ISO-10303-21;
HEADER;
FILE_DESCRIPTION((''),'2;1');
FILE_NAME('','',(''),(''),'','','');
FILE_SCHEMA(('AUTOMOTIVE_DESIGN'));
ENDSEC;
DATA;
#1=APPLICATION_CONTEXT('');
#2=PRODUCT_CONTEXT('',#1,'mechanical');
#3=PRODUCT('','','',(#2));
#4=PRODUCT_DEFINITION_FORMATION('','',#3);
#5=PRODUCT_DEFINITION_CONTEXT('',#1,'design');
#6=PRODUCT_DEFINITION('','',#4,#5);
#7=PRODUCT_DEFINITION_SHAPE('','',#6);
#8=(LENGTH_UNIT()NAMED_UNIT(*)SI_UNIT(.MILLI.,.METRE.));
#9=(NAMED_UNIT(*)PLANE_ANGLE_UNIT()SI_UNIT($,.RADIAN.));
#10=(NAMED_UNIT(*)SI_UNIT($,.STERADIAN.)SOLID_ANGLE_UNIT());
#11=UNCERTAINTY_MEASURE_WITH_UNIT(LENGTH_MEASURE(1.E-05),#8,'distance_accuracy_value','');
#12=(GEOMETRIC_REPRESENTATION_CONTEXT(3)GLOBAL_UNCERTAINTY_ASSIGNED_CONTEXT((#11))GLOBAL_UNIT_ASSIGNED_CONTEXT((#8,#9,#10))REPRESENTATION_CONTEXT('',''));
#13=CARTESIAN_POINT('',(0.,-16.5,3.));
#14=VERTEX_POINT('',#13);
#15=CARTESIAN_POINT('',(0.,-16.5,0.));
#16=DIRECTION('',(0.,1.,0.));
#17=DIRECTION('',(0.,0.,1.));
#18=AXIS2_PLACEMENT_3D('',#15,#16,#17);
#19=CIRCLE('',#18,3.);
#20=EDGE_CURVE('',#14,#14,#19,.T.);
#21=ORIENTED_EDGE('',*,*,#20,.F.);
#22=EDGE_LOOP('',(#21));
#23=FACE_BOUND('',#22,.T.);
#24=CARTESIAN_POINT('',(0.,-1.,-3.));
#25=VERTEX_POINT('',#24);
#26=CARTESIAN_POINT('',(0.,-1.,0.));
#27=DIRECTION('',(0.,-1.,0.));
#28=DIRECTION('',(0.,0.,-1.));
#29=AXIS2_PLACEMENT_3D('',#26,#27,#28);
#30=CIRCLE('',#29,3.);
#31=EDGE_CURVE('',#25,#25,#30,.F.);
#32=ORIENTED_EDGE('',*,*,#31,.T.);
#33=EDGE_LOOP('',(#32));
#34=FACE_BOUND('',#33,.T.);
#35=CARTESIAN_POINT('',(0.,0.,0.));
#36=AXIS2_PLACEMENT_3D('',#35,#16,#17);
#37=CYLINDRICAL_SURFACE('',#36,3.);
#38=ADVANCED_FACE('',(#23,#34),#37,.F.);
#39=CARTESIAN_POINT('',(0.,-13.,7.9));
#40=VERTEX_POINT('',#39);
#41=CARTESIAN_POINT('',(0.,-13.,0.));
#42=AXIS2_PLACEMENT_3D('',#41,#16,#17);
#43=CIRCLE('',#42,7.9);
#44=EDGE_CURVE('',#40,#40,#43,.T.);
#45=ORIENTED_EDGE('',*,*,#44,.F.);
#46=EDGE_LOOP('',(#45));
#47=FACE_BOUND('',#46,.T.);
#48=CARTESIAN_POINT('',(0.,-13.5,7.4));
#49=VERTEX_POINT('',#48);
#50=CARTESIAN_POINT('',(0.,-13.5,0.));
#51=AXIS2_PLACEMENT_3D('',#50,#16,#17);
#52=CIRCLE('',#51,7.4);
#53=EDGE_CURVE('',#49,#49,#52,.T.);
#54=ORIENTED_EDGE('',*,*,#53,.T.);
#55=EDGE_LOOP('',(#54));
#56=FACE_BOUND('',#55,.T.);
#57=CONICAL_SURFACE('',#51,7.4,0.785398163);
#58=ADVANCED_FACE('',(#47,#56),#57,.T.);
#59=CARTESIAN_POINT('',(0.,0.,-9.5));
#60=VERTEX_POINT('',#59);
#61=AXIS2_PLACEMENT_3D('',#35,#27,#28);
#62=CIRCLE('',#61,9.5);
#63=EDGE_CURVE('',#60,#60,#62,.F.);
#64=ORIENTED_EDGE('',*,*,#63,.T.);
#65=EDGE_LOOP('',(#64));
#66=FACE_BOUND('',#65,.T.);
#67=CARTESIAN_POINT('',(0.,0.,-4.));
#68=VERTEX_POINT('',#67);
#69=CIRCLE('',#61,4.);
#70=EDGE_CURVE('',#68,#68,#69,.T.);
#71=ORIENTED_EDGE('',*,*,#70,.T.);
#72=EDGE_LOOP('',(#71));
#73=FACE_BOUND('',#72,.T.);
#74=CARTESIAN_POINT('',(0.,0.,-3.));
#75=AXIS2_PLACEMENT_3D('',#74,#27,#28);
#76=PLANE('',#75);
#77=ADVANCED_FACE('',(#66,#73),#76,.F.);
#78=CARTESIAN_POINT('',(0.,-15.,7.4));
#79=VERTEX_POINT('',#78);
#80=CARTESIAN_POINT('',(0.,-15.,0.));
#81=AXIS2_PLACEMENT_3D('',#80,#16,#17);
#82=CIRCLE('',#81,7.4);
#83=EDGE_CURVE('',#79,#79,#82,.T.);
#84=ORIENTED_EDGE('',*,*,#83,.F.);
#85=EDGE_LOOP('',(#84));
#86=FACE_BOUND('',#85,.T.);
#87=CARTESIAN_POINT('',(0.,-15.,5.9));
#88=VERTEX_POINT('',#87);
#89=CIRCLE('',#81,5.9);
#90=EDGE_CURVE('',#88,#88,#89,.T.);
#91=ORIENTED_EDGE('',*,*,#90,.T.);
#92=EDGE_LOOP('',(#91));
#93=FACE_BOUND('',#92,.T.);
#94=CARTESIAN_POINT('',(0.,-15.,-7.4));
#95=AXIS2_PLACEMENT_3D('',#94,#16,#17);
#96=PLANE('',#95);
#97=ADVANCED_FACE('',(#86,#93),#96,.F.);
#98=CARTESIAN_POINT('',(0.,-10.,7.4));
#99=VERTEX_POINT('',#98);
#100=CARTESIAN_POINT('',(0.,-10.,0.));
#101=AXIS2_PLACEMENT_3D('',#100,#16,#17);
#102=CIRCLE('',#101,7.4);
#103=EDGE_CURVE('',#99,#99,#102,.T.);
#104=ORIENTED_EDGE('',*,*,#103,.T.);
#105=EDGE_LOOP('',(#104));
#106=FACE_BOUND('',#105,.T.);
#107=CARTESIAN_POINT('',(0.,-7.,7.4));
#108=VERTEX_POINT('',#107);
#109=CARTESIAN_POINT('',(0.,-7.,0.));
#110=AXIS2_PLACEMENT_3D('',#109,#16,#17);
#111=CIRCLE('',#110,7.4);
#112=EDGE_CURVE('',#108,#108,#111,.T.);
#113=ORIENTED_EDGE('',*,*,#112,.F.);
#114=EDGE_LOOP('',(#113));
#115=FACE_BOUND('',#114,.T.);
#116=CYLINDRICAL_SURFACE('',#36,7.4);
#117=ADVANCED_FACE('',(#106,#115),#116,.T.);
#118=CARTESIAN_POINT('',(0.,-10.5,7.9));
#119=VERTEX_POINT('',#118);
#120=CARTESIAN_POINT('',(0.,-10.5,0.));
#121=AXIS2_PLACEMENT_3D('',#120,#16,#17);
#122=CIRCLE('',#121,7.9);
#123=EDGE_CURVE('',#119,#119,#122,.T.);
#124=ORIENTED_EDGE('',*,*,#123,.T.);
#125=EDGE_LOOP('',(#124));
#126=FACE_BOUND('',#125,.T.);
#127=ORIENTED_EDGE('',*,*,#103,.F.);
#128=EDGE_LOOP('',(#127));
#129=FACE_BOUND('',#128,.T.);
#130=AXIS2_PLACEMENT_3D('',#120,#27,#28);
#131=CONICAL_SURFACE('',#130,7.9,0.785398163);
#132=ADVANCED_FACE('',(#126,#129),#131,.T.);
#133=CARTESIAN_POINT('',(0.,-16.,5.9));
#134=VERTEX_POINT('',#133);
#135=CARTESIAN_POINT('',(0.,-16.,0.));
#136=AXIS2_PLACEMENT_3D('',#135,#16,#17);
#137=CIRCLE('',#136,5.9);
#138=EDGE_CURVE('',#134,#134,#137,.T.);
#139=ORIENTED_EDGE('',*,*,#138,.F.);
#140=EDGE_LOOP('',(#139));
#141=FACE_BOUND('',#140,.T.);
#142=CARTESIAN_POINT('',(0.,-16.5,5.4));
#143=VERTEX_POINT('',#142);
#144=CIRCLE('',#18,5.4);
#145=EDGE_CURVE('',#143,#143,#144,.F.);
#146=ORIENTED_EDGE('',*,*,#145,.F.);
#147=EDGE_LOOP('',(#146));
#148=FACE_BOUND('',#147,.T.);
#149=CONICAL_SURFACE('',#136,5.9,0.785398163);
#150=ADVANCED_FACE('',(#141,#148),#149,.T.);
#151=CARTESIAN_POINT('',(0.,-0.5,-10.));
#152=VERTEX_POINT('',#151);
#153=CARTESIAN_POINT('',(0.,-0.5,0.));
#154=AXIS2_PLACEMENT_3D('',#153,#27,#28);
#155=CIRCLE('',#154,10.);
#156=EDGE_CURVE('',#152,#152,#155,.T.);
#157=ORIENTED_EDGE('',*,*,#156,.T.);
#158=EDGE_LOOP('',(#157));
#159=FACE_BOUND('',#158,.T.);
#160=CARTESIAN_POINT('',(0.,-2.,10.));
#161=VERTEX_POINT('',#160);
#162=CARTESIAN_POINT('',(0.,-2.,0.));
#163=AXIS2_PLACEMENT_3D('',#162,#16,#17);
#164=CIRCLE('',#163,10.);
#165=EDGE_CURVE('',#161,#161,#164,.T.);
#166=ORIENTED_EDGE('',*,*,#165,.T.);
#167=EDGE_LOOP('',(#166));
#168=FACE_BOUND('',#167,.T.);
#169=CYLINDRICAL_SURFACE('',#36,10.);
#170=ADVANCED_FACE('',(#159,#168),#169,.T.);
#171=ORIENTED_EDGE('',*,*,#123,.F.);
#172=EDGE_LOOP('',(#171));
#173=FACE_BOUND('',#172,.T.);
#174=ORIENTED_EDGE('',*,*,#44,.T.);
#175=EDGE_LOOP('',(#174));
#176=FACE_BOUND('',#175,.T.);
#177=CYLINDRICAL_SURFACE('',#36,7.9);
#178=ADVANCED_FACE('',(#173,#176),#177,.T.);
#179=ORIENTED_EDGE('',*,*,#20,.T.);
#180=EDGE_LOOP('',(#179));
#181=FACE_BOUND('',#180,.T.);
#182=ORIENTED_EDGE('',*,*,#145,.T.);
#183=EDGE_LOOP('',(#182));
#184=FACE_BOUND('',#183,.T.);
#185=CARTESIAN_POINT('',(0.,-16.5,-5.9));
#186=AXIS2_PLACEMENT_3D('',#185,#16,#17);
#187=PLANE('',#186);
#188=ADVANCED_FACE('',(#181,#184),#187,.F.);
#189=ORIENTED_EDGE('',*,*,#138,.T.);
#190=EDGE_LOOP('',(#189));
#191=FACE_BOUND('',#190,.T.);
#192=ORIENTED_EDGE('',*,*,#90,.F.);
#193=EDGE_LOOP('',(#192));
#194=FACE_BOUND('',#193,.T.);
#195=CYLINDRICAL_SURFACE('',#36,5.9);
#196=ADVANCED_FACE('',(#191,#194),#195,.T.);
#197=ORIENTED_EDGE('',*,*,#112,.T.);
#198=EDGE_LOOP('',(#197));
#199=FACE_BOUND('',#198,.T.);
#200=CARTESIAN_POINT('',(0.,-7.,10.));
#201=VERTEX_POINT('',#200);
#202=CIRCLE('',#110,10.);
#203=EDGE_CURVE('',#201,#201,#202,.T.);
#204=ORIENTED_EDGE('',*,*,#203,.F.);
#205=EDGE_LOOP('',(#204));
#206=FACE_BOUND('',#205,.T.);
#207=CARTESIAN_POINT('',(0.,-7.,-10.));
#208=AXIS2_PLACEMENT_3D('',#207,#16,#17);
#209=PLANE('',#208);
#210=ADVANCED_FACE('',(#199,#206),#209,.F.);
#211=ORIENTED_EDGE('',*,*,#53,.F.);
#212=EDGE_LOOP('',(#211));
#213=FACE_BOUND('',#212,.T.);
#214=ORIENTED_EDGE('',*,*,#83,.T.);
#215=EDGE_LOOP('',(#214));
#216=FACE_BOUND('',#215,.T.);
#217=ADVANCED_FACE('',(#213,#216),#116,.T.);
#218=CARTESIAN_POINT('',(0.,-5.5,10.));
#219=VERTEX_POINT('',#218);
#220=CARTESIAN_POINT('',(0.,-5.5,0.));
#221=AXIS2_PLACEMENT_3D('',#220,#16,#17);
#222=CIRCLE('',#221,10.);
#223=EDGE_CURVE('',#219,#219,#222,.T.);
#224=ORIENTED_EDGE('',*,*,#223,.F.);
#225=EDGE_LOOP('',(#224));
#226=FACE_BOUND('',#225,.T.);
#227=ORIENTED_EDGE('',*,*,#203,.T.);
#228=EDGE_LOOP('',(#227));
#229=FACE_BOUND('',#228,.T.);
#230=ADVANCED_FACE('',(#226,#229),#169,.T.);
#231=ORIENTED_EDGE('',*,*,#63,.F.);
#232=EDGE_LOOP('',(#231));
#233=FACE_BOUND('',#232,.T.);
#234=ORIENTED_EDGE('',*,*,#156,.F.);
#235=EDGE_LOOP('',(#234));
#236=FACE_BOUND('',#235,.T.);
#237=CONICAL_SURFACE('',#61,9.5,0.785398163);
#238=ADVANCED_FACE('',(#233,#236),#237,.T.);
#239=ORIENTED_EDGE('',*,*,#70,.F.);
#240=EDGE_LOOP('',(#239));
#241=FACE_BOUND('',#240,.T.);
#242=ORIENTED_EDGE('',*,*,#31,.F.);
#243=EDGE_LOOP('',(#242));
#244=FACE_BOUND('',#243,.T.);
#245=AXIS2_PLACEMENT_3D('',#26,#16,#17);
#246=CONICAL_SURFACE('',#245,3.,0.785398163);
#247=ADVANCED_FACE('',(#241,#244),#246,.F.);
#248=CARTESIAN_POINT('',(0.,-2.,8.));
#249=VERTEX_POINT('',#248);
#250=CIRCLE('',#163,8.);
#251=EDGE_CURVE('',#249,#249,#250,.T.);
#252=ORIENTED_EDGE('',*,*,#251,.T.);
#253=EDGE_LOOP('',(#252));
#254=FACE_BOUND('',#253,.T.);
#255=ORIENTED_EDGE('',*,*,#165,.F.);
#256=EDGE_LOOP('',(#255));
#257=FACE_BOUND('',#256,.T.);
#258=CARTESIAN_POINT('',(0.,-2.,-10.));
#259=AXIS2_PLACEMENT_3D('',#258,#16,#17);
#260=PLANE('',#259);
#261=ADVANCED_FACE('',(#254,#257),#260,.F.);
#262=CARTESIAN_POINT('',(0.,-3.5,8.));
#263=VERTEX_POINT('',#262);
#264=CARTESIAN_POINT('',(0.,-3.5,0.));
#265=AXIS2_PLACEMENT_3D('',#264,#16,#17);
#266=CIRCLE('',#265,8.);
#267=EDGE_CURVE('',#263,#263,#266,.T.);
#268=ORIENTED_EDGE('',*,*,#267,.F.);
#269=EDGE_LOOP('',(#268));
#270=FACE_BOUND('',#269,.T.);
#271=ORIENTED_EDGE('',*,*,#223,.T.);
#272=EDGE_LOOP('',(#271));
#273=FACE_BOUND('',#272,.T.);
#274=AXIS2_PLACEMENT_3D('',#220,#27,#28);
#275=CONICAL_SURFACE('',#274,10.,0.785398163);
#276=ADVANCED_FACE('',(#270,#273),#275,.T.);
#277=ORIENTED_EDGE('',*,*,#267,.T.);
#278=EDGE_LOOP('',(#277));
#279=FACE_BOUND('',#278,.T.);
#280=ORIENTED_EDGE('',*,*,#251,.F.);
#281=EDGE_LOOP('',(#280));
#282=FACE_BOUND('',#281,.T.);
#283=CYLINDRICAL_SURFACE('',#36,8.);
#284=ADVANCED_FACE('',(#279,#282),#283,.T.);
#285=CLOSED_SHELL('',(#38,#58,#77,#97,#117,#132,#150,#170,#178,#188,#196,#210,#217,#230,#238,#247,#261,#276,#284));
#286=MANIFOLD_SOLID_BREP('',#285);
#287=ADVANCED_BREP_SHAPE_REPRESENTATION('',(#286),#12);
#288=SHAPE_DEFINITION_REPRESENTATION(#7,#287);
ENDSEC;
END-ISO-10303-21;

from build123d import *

# Parameters (mm, degrees)
CHAMFER_1_SIZE = 0.5
CHAMFER_2_SIZE = 1


with BuildPart() as part:
    # 스케치2 → 회전1 (revolve)
    with BuildSketch(Plane(origin=(0, 0, 0), x_dir=(0, 0, -1), z_dir=(1, 0, 0)), mode=Mode.PRIVATE) as revolve_1_sk:
        Polygon((3, 0), (10, 0), (10, -2), (8, -2), (8, -3.5), (10, -5.5), (10, -7), (7.4, -7), (7.4, -10), (7.9, -10.5), (7.9, -13), (7.4, -13.5), (7.4, -15), (5.9, -15), (5.9, -16.5), (3, -16.5), align=None)
    revolve(revolve_1_sk.sketch.rotate(Axis((0, 0, 0), (0, -1, 0)), 180), axis=Axis((0, 0, 0), (0, -1, 0)))

    # 모따기1
    chamfer_1_edges = [part.edges().sort_by_distance(p)[0] for p in [
        (0, 0, -10),
        (0, -16.5, -5.9),
    ]]
    chamfer(chamfer_1_edges, length=CHAMFER_1_SIZE)

    # 모따기2
    chamfer_2_edges = [part.edges().sort_by_distance(p)[0] for p in [
        (0, 0, -3),
    ]]
    chamfer(chamfer_2_edges, length=CHAMFER_2_SIZE)


solid = part.part
